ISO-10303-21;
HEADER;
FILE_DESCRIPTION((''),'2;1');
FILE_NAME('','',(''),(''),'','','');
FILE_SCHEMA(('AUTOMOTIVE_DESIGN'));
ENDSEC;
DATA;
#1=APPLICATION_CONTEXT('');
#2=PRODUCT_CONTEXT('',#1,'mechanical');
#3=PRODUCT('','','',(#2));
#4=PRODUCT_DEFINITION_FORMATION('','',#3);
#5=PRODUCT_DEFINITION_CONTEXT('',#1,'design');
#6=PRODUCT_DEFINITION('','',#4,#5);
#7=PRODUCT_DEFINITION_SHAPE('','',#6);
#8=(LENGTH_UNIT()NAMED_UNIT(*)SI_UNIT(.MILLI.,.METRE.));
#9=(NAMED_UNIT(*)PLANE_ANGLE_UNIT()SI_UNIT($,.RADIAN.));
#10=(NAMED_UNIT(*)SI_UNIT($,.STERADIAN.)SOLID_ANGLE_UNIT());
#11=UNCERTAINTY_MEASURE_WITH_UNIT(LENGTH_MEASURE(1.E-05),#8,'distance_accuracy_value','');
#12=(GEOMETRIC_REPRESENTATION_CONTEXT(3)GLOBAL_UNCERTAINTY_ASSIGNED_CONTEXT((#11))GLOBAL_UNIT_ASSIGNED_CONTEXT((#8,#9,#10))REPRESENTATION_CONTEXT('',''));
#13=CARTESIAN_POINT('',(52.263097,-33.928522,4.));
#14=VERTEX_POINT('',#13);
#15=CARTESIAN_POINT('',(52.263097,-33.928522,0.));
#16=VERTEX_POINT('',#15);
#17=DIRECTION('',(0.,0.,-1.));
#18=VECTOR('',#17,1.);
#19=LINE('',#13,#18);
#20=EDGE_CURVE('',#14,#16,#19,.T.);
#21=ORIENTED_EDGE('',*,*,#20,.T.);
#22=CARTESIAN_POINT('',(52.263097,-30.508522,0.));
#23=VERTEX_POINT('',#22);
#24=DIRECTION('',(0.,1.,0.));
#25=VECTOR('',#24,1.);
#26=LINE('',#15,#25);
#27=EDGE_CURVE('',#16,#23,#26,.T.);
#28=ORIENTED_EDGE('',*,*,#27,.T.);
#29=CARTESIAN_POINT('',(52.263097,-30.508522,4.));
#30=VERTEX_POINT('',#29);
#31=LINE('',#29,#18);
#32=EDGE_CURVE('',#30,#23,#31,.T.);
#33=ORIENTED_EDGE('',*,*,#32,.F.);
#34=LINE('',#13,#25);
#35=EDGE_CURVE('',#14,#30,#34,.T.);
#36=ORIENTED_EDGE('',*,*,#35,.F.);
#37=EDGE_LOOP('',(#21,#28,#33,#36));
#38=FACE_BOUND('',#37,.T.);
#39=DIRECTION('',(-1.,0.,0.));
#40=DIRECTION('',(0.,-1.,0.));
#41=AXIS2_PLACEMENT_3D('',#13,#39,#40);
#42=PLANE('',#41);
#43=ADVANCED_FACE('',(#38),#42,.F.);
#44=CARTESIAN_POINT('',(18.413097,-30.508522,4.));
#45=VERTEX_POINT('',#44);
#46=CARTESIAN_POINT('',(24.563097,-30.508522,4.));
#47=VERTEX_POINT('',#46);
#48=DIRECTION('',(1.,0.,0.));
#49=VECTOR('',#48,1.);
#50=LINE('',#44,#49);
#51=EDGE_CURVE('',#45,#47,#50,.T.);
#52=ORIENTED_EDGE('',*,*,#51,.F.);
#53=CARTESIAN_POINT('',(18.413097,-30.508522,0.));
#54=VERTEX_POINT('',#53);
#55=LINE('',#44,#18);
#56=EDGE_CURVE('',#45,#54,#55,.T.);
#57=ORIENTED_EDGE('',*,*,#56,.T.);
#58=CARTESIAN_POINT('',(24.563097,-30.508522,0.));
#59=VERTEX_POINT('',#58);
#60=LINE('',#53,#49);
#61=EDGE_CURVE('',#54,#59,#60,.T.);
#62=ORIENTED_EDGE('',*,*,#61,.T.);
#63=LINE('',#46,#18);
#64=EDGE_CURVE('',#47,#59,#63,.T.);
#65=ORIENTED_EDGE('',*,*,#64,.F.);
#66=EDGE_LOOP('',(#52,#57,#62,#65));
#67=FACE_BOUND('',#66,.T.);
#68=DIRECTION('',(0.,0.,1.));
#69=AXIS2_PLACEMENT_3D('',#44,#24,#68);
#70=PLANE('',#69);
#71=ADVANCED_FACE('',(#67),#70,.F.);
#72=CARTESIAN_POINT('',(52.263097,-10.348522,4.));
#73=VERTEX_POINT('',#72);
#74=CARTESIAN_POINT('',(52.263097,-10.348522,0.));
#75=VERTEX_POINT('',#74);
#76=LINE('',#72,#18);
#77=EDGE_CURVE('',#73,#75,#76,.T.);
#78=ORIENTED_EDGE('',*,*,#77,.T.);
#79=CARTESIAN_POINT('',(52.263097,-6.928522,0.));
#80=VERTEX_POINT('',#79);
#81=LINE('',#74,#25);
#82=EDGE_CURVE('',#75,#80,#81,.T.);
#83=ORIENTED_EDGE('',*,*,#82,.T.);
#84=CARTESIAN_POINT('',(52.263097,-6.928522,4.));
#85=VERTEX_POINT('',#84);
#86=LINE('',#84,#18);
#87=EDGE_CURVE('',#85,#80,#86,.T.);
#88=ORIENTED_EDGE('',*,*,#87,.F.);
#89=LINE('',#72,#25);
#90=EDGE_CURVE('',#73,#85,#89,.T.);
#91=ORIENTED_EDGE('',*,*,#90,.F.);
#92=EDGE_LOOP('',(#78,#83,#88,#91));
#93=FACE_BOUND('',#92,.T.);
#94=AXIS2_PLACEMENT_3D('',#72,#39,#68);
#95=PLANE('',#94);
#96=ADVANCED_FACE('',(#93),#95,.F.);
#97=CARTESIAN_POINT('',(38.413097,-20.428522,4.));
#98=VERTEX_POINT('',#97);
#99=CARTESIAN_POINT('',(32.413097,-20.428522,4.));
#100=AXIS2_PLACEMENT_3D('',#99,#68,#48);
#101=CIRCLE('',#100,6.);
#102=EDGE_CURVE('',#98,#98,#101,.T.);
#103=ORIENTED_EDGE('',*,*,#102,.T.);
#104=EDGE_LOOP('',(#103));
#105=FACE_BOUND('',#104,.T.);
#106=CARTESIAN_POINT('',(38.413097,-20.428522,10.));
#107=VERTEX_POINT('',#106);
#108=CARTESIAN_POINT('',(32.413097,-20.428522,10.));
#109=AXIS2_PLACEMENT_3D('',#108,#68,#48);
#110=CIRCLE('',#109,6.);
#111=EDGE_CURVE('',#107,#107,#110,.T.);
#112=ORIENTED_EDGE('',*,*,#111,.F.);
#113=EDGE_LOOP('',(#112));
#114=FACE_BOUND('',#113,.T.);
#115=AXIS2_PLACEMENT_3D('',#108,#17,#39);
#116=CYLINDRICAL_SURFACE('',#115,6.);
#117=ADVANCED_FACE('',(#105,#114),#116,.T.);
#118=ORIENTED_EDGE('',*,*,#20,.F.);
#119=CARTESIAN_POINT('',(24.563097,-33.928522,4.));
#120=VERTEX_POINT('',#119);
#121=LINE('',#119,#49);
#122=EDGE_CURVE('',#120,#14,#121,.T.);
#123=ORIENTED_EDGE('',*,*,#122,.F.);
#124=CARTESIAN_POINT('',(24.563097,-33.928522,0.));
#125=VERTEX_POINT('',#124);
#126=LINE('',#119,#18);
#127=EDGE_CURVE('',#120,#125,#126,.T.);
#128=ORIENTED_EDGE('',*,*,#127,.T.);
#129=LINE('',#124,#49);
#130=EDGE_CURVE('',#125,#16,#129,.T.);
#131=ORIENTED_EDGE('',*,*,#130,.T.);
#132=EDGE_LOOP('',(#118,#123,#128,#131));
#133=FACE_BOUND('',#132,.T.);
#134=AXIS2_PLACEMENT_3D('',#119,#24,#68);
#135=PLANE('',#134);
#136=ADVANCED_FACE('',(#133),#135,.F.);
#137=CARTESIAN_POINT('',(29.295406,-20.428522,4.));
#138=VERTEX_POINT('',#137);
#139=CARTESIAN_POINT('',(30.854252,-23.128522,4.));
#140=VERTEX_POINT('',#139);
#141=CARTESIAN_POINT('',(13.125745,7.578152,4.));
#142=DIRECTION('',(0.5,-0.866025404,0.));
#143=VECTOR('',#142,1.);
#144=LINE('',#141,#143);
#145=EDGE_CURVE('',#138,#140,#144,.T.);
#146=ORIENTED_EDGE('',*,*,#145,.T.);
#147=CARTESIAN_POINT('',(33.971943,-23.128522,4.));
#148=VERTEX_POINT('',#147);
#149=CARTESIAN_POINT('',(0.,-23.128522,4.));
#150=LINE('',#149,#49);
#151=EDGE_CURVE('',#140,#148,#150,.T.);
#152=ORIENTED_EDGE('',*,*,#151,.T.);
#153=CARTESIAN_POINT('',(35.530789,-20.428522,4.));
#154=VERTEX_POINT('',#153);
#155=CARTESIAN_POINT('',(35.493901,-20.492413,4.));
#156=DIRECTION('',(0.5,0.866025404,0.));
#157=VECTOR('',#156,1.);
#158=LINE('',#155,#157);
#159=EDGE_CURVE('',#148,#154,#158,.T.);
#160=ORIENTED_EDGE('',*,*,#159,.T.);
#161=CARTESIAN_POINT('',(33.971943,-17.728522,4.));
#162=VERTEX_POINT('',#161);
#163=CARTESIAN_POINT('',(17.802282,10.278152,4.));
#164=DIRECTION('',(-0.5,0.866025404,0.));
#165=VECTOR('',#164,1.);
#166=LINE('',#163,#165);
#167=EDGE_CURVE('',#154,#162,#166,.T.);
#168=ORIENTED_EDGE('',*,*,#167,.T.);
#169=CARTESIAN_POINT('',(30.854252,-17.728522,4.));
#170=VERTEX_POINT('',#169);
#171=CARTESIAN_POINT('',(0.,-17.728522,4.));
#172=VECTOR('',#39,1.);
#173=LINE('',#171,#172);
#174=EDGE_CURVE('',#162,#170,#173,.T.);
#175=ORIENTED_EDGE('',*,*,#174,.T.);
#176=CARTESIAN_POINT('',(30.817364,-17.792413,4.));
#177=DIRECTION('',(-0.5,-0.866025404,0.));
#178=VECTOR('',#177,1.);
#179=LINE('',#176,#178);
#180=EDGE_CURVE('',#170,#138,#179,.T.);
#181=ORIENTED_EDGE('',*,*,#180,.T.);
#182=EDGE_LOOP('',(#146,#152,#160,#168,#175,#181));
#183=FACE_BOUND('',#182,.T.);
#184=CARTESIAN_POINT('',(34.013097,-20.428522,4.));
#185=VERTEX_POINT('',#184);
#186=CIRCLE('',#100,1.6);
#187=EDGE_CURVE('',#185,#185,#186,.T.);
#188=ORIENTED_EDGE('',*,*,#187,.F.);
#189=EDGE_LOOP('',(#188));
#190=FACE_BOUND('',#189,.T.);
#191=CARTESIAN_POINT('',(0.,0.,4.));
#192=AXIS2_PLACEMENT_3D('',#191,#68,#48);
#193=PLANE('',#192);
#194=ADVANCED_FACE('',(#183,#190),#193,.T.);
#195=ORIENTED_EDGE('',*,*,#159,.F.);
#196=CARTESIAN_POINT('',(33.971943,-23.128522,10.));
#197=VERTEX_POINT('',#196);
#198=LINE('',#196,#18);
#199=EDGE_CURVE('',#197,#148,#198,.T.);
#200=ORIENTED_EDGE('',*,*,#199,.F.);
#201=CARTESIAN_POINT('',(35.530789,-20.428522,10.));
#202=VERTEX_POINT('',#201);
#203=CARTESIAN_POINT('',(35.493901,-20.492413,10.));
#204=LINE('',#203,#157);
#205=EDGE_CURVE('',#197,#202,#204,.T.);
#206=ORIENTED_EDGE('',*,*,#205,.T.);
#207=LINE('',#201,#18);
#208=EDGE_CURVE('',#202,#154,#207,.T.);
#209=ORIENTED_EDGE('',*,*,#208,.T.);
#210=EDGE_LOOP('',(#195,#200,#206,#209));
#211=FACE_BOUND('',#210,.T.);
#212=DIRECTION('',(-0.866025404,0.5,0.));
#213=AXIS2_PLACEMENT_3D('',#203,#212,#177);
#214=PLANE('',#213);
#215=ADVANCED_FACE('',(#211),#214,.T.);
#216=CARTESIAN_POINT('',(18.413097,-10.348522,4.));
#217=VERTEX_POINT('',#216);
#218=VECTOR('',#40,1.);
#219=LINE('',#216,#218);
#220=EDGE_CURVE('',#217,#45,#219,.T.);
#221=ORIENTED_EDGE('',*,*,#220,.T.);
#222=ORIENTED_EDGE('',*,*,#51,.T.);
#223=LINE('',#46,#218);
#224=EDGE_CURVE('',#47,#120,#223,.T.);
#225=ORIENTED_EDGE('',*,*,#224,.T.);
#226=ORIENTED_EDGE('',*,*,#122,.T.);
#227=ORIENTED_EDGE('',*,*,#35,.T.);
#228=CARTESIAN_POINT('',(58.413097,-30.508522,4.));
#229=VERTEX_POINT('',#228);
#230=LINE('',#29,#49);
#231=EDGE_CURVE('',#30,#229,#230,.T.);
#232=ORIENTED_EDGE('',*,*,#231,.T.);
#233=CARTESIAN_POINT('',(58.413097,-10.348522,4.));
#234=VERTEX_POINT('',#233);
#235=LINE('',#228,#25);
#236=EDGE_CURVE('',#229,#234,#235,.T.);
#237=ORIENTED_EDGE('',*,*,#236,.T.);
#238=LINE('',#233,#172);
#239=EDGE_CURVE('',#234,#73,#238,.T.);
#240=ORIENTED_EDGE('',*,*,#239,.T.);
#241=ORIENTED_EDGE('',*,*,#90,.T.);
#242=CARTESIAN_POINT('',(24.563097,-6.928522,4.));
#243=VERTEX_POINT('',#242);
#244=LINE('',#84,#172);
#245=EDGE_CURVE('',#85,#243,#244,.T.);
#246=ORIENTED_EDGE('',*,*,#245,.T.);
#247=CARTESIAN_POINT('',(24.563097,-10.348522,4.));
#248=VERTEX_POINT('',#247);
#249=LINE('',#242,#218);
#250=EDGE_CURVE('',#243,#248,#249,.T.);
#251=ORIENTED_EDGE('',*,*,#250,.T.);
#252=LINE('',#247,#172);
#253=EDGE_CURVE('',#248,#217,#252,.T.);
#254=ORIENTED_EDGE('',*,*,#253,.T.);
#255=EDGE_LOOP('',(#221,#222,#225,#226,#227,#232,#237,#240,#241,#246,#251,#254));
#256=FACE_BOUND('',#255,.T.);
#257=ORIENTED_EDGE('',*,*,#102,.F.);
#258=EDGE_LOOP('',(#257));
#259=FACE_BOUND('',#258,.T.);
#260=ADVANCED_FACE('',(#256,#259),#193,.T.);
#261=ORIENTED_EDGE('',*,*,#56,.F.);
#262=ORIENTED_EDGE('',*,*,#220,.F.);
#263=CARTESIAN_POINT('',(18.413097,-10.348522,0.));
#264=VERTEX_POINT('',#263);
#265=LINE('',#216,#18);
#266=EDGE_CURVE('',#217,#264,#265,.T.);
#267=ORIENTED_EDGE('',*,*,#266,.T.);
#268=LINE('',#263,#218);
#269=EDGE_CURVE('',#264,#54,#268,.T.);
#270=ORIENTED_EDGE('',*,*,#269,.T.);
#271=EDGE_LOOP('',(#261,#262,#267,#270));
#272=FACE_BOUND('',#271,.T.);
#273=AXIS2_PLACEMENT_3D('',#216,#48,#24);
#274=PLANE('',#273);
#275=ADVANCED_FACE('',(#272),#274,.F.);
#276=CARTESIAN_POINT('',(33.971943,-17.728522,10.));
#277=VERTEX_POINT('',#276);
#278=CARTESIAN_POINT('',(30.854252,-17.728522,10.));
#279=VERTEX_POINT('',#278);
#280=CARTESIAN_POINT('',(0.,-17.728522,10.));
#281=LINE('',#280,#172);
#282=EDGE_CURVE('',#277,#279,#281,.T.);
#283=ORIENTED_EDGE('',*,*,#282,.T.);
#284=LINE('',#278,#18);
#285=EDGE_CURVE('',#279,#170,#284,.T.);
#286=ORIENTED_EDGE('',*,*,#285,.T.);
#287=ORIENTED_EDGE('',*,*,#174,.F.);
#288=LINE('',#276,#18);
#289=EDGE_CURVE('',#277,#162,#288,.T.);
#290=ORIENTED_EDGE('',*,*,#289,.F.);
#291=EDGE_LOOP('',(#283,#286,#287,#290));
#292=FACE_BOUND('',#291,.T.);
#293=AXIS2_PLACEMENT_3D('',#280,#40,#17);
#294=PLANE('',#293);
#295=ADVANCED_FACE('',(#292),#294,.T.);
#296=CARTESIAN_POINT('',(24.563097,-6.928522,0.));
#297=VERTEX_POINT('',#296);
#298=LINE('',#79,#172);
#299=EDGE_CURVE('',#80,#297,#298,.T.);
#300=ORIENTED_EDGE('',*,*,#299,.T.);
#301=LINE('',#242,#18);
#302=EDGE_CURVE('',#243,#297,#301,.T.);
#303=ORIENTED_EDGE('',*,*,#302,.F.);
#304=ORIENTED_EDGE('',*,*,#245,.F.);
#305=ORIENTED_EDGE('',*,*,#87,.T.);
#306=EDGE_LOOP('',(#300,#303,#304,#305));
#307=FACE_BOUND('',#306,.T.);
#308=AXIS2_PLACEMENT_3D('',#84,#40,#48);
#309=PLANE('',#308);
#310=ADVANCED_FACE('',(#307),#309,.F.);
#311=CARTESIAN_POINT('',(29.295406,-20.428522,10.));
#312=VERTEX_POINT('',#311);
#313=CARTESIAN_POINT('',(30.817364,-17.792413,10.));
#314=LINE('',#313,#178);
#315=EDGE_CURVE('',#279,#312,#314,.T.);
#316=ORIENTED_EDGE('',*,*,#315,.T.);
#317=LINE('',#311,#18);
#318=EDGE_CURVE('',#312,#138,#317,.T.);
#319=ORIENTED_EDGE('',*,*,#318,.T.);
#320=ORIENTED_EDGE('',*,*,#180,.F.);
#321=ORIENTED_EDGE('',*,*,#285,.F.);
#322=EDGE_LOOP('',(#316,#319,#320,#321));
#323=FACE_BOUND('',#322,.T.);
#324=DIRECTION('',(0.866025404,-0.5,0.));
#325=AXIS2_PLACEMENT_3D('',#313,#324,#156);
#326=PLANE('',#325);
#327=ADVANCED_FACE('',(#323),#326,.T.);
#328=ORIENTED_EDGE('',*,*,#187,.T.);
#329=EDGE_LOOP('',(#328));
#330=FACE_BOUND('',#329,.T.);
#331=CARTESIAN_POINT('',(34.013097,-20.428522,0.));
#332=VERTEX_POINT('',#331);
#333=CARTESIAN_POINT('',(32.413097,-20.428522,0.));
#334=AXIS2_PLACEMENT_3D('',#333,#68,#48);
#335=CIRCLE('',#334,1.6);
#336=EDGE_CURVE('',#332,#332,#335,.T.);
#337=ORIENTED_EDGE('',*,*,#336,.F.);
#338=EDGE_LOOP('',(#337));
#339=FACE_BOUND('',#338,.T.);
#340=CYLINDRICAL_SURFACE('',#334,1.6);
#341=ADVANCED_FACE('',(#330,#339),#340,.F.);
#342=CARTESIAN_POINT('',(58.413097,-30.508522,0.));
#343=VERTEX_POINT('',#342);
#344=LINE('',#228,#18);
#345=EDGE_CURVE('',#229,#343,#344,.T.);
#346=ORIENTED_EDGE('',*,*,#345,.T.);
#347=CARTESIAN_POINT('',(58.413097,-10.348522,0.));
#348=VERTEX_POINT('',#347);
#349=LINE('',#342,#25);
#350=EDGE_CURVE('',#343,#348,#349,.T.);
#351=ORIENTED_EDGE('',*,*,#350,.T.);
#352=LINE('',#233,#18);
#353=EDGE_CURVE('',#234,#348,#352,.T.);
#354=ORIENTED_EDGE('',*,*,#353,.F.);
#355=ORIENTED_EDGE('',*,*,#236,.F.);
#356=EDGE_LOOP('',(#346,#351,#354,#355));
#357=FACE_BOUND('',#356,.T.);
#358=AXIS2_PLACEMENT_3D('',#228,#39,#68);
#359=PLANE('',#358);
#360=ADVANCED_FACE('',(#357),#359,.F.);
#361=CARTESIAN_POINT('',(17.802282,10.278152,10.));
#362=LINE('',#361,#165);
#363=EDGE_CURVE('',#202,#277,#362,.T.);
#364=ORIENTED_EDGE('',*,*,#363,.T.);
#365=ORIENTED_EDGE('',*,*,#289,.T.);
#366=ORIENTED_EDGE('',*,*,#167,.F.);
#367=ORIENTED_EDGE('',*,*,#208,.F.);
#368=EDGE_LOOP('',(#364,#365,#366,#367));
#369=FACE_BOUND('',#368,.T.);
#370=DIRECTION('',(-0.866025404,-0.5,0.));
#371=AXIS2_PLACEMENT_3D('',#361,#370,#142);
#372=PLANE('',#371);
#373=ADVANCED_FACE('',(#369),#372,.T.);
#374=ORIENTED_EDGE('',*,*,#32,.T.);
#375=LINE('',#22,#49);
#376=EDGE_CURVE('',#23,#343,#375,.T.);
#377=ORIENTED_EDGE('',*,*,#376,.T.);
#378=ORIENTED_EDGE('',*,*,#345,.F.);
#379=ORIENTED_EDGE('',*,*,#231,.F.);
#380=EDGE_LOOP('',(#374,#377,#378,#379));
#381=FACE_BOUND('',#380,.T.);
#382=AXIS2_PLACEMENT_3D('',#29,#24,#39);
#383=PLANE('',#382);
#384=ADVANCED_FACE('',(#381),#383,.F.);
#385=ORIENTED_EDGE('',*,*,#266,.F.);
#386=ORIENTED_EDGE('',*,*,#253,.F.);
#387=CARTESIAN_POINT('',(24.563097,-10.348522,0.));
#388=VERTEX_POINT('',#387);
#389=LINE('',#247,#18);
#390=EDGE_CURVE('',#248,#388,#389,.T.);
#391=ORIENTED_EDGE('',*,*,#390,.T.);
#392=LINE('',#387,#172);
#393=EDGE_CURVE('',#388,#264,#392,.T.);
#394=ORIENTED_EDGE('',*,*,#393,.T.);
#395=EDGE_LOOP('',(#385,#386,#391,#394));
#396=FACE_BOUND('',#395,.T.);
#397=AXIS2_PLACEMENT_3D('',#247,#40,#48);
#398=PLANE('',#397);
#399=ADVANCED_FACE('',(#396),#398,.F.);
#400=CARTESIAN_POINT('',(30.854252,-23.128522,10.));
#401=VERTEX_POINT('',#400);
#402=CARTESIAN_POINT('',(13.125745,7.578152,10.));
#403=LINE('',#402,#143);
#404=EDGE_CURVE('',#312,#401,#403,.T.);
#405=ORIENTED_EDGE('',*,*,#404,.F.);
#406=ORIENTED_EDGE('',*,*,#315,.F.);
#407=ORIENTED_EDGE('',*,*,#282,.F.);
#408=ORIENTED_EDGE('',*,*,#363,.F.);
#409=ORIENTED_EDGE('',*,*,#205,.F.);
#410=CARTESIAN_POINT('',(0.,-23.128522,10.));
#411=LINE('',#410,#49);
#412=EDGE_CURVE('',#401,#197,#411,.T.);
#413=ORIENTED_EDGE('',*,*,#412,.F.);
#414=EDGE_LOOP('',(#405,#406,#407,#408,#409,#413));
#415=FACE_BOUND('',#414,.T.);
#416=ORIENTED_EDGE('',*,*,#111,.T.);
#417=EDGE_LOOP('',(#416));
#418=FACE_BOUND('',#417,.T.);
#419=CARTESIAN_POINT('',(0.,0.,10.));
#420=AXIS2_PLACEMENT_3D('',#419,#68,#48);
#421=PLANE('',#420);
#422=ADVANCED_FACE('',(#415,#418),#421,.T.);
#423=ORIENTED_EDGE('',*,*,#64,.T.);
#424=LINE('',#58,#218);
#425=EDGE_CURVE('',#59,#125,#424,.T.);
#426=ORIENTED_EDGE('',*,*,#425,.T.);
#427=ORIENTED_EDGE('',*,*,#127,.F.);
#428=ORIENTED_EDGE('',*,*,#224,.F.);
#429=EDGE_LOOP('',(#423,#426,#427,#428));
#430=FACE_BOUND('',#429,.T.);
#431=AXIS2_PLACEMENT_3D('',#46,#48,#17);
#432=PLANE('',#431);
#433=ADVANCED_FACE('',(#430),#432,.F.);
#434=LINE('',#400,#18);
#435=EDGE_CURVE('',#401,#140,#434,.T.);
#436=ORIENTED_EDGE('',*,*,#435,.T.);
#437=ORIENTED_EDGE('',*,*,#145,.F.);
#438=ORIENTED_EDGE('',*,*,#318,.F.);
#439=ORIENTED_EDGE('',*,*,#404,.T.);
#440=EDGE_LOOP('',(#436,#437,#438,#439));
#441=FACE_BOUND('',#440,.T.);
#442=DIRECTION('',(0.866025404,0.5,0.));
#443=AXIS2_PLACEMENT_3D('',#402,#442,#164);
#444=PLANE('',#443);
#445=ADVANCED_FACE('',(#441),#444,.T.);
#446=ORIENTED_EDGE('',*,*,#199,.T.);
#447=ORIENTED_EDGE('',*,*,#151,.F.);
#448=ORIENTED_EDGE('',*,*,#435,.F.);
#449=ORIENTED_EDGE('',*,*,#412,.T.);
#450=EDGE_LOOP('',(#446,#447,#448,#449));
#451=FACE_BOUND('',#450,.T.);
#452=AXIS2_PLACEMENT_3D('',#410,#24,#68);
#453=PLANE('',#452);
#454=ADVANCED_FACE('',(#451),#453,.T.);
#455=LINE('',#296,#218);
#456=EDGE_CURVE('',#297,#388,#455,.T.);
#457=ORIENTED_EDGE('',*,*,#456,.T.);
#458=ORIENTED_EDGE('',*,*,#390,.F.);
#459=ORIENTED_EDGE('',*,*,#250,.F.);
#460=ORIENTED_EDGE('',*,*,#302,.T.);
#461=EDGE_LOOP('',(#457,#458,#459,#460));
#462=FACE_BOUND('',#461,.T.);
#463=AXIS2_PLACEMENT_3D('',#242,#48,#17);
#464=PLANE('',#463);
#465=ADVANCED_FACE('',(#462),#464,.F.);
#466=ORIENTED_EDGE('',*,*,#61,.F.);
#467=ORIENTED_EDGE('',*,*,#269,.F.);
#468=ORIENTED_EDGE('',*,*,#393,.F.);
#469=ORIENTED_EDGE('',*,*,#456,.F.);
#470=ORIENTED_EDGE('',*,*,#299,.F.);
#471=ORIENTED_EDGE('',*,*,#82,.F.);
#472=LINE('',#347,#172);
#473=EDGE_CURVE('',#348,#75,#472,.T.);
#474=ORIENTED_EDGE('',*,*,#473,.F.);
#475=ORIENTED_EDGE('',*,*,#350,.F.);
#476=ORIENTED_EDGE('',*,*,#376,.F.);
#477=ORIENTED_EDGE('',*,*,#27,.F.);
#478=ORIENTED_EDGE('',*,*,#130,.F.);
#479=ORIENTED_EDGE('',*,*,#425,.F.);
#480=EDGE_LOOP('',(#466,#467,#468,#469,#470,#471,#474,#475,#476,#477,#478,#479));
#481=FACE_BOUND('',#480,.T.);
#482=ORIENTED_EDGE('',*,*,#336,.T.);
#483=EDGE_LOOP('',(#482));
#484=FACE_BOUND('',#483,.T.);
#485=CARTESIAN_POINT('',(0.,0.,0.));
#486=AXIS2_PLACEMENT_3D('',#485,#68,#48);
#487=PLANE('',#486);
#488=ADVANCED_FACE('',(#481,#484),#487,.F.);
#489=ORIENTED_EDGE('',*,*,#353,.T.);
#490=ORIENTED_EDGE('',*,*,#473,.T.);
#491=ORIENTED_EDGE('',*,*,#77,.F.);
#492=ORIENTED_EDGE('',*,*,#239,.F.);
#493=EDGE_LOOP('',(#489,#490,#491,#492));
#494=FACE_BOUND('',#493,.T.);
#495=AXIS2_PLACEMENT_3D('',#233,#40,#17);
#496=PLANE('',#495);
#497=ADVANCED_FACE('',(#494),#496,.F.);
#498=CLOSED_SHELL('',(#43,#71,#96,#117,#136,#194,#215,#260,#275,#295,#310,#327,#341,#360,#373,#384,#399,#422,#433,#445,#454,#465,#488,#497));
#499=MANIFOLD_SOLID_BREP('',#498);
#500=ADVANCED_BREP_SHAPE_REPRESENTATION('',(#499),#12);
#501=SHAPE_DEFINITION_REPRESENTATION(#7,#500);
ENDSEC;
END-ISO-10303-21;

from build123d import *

# Parameters (mm, degrees)
EXTRUDE_1_DEPTH     = 4
SKETCH_2_R          = 1.6
CUT_EXTRUDE_1_DEPTH = 68.670041634
SKETCH_3_R          = 6
EXTRUDE_2_DEPTH     = 6


with BuildPart() as part:
    # 草图1 → 凸台-拉伸1 (new body)
    with BuildSketch(Plane.XY):
        Polygon((58.413097366, -10.348521791), (52.263097366, -10.348521791), (52.263097366, -6.928521791), (24.563097366, -6.928521791), (24.563097366, -10.348521791), (18.413097366, -10.348521791), (18.413097366, -30.508521791), (24.563097366, -30.508521791), (24.563097366, -33.928521791), (52.263097366, -33.928521791), (52.263097366, -30.508521791), (58.413097366, -30.508521791), align=None)
    extrude(amount=EXTRUDE_1_DEPTH)

    # 草图2 → 切除-拉伸1 (cut, through all)
    with BuildSketch(Plane.XY.offset(4)):
        with Locations((32.413097366, -20.428521791)):
            Circle(SKETCH_2_R)
    extrude(amount=-CUT_EXTRUDE_1_DEPTH, mode=Mode.SUBTRACT)

    # 草图3 → 凸台-拉伸2 (add)
    with BuildSketch(Plane.XY.offset(4)):
        with Locations((32.413097366, -20.428521791)):
            Circle(SKETCH_3_R)
        Polygon((33.971943092, -23.128521791), (35.530788819, -20.428521791), (33.971943092, -17.728521791), (30.854251639, -17.728521791), (29.295405912, -20.428521791), (30.854251639, -23.128521791), align=None, mode=Mode.SUBTRACT)
    extrude(amount=EXTRUDE_2_DEPTH)


solid = part.part
